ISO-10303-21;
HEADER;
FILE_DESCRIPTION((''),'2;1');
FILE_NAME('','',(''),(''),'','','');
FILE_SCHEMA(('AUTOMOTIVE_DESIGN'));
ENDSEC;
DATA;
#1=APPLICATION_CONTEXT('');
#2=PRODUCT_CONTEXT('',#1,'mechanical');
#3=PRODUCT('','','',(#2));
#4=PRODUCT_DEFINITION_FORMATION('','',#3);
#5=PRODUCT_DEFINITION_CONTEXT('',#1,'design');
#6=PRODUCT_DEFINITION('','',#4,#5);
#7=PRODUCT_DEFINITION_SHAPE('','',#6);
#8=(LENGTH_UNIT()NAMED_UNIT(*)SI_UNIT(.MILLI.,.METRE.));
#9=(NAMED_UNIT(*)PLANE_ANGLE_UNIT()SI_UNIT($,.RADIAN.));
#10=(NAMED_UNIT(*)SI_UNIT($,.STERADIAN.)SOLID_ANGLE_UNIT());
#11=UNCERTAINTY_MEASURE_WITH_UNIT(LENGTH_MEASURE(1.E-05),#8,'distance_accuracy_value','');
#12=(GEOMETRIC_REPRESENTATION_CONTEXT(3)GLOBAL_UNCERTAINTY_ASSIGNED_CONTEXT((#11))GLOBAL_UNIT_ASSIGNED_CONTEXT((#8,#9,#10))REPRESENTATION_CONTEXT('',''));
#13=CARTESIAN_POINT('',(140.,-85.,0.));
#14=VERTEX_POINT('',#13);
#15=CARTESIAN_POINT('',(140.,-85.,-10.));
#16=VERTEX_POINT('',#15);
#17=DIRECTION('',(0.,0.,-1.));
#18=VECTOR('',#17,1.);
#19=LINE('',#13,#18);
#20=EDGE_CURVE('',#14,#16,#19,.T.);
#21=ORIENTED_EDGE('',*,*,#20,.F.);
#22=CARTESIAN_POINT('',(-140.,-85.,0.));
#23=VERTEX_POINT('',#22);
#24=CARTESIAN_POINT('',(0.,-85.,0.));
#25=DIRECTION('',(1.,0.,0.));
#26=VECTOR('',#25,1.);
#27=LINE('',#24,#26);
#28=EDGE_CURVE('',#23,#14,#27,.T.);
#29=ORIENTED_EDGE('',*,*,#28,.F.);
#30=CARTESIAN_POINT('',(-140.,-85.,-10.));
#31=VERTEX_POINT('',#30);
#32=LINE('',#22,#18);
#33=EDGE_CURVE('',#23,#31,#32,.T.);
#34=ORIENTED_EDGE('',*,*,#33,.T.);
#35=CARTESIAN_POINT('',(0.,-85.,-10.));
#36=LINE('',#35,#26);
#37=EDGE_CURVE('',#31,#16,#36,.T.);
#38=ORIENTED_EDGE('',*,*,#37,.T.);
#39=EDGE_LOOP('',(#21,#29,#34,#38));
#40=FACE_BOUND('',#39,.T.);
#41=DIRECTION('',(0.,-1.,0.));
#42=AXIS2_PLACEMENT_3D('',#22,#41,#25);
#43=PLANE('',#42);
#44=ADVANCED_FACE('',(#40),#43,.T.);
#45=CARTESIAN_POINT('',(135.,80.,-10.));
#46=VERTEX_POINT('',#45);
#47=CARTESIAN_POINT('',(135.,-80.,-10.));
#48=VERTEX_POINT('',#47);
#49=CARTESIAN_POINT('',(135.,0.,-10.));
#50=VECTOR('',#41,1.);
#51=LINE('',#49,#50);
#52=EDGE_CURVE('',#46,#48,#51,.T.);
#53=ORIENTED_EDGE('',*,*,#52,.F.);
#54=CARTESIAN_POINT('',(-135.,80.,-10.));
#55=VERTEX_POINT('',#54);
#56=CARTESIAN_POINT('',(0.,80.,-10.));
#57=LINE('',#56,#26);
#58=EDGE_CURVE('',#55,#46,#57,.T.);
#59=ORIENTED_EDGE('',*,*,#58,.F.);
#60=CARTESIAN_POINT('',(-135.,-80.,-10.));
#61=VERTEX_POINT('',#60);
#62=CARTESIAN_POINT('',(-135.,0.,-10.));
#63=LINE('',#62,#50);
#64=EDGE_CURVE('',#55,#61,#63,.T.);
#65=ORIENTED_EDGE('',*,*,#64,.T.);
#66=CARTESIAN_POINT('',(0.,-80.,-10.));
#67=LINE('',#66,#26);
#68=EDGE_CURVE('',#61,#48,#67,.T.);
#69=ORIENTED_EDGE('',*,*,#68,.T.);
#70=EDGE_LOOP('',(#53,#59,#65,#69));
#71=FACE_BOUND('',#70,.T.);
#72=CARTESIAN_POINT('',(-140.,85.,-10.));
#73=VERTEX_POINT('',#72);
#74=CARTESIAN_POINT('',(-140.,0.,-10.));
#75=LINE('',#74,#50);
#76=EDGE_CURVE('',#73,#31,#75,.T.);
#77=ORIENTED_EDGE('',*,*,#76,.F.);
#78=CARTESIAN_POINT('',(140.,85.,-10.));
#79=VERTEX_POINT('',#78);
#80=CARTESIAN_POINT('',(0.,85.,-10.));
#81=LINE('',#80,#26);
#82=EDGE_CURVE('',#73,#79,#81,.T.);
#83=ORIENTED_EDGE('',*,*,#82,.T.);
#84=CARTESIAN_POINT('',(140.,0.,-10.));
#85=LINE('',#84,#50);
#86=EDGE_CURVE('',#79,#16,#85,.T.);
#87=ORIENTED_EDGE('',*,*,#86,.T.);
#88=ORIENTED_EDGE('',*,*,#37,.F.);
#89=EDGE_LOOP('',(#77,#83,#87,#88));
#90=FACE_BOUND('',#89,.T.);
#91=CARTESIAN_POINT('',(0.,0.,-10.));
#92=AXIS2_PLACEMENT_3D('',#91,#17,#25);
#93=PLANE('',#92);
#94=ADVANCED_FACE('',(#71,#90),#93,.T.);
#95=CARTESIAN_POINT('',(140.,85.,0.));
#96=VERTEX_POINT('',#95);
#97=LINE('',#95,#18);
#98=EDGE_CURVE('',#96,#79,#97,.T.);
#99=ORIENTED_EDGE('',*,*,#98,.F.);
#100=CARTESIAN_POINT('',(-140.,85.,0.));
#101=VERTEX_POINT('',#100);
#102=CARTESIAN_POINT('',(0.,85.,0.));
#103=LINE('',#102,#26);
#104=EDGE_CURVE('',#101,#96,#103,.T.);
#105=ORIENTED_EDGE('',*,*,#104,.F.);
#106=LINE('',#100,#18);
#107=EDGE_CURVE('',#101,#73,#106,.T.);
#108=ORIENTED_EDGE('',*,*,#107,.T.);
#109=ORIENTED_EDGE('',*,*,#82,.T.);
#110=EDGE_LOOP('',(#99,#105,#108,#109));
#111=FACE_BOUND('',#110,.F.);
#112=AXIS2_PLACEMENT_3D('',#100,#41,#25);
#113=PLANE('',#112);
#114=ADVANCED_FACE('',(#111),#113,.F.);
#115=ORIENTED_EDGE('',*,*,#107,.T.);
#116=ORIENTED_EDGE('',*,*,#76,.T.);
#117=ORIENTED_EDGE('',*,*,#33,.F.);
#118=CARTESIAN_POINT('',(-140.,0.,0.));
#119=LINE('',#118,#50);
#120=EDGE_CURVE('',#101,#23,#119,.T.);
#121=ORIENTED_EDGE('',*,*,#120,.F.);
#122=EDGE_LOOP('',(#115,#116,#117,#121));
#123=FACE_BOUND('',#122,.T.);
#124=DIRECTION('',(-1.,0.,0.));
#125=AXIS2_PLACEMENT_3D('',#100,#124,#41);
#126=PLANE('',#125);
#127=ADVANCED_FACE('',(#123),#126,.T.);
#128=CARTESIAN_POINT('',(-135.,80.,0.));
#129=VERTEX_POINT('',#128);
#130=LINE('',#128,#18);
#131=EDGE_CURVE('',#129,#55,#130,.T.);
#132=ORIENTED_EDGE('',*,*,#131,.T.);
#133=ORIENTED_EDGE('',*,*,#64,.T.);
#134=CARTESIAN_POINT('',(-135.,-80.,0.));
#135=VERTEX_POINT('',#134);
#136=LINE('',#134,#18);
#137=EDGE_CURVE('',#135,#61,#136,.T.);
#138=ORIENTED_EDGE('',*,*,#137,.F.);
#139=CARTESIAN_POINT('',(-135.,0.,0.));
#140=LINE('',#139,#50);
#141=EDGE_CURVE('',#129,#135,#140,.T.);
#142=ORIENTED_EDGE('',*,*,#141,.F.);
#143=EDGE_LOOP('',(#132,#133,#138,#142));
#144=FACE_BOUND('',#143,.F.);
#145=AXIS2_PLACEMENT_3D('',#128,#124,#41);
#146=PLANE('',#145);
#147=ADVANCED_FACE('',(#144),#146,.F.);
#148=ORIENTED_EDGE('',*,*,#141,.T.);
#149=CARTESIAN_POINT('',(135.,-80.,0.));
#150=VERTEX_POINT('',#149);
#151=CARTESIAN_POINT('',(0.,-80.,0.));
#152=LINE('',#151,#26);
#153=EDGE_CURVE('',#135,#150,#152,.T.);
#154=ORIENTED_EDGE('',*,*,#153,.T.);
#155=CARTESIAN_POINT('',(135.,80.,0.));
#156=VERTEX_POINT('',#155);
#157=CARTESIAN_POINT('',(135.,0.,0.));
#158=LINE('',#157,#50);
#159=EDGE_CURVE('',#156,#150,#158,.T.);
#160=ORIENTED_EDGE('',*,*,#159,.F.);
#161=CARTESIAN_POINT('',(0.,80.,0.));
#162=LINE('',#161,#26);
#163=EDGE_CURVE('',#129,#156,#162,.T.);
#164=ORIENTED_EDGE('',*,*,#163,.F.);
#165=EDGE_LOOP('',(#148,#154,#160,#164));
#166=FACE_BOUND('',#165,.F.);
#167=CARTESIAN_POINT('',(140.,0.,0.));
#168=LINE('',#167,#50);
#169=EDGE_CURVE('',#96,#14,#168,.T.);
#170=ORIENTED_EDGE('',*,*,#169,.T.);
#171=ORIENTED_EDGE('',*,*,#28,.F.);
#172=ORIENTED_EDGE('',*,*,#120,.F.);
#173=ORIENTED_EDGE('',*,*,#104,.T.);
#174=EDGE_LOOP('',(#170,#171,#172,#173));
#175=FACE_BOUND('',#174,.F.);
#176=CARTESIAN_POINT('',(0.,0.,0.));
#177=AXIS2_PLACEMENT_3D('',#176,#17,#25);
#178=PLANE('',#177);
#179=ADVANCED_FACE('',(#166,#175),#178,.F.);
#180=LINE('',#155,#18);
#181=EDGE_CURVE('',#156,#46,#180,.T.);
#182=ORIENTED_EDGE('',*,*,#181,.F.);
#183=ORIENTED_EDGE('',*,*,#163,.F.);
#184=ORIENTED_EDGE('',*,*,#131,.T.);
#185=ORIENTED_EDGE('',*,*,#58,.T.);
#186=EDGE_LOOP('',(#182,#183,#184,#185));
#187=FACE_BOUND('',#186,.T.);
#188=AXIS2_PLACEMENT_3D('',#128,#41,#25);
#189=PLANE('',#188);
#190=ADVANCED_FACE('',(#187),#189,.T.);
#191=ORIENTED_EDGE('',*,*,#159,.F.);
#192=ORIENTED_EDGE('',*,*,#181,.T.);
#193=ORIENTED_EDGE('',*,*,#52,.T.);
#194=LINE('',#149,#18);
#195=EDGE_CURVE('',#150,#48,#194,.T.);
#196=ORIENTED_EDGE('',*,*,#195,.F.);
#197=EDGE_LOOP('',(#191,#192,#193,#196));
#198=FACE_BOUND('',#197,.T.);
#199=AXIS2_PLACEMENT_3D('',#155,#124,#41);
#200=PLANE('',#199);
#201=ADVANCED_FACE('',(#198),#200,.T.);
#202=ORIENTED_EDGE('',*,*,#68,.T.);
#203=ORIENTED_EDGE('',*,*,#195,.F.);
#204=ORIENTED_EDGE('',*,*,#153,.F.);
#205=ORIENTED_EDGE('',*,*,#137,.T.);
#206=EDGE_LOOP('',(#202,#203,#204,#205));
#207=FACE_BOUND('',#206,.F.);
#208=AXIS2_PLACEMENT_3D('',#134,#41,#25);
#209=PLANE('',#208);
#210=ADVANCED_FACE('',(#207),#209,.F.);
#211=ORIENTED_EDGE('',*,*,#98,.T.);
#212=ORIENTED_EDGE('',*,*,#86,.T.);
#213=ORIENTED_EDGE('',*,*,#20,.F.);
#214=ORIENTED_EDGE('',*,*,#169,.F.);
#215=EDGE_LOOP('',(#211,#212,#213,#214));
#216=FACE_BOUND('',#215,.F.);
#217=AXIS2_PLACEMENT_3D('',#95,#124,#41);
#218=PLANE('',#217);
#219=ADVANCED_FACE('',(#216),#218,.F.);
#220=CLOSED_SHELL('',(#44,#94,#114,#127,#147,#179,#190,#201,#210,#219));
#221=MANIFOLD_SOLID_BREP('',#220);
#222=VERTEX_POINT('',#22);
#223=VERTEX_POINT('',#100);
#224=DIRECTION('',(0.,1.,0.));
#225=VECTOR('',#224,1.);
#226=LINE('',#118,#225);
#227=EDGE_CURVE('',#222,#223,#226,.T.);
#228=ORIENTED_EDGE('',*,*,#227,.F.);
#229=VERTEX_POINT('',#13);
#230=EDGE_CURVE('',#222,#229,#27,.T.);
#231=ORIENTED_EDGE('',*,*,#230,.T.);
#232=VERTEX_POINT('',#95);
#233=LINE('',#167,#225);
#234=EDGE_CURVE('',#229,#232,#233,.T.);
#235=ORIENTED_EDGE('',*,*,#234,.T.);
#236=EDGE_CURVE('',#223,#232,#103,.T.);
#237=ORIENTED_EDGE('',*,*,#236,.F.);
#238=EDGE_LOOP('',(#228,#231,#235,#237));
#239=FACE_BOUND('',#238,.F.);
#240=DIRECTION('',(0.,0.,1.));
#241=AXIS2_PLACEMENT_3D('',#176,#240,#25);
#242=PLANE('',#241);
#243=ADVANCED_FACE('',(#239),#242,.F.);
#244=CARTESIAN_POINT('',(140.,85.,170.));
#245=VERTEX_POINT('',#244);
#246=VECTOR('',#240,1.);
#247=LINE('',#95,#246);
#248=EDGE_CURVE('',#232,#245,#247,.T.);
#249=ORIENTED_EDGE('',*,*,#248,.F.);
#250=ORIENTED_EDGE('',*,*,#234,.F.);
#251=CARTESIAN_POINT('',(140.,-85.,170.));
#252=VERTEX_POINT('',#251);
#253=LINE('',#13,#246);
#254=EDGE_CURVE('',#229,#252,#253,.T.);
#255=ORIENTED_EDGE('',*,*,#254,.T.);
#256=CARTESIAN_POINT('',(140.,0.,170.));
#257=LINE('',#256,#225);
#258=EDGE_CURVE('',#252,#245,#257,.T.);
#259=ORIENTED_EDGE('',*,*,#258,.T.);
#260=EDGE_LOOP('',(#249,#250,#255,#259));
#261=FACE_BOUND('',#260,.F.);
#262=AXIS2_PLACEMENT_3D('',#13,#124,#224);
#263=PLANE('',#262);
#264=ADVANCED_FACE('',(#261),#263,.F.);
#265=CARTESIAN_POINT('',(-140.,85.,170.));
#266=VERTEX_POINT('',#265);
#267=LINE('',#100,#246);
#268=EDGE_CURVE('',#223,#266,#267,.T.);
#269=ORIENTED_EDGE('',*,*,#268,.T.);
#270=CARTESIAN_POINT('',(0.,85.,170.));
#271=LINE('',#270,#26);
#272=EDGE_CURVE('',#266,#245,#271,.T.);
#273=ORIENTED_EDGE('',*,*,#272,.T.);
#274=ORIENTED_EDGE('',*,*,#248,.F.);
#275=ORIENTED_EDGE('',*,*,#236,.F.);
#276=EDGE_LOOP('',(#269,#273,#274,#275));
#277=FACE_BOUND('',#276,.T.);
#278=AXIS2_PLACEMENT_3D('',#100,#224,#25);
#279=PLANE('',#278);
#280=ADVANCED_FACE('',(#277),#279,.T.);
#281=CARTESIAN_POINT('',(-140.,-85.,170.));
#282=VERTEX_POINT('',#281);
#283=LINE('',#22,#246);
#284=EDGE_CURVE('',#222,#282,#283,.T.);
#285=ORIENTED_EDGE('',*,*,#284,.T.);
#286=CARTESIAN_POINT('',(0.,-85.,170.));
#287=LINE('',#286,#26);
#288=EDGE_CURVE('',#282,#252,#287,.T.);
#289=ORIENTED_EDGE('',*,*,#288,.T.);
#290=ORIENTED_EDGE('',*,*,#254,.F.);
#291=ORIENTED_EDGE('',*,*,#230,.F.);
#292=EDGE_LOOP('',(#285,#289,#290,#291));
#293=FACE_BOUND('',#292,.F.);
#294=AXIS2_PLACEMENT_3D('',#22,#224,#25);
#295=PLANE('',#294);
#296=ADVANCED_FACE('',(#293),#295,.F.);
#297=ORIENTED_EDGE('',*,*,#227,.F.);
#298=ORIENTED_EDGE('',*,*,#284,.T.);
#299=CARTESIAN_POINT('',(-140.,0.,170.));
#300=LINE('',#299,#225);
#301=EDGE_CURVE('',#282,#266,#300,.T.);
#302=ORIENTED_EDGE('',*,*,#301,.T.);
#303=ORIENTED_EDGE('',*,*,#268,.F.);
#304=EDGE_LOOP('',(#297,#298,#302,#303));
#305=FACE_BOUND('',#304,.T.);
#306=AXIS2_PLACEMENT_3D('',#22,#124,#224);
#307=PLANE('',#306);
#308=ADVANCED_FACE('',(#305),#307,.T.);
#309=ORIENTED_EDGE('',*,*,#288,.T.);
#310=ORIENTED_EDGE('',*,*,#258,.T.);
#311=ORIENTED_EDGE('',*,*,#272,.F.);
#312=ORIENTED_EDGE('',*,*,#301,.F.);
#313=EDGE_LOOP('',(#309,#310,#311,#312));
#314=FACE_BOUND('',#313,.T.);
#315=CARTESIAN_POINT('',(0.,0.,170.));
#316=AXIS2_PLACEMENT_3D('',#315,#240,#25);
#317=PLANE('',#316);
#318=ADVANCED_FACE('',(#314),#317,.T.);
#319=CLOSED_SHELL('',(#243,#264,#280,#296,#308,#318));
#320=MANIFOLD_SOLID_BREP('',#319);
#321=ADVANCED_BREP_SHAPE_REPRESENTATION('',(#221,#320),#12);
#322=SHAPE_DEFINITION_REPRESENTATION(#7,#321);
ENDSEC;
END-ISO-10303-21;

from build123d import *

# Parameters (mm, degrees)
F0_W     = 280
F0_H     = 170
F1_DEPTH = 170
F2_W     = 280
F2_H     = 170
F2_W_2   = 270
F2_H_2   = 160
F3_DEPTH = 10


with BuildPart() as f1:
    # F0 (on Top) → F1 (new body)
    with BuildSketch(Plane.XY):
        Rectangle(F0_W, F0_H)
    extrude(amount=F1_DEPTH)


with BuildPart() as f3:
    # F2 (on face) → F3 (new body)
    with BuildSketch(Plane(origin=(0, 0, 0), x_dir=(1, 0, 0), z_dir=(0, 0, -1))):
        Rectangle(F2_W, F2_H)
        Rectangle(F2_W_2, F2_H_2, mode=Mode.SUBTRACT)
    extrude(amount=F3_DEPTH)


solid = Compound([f1.part, f3.part])
